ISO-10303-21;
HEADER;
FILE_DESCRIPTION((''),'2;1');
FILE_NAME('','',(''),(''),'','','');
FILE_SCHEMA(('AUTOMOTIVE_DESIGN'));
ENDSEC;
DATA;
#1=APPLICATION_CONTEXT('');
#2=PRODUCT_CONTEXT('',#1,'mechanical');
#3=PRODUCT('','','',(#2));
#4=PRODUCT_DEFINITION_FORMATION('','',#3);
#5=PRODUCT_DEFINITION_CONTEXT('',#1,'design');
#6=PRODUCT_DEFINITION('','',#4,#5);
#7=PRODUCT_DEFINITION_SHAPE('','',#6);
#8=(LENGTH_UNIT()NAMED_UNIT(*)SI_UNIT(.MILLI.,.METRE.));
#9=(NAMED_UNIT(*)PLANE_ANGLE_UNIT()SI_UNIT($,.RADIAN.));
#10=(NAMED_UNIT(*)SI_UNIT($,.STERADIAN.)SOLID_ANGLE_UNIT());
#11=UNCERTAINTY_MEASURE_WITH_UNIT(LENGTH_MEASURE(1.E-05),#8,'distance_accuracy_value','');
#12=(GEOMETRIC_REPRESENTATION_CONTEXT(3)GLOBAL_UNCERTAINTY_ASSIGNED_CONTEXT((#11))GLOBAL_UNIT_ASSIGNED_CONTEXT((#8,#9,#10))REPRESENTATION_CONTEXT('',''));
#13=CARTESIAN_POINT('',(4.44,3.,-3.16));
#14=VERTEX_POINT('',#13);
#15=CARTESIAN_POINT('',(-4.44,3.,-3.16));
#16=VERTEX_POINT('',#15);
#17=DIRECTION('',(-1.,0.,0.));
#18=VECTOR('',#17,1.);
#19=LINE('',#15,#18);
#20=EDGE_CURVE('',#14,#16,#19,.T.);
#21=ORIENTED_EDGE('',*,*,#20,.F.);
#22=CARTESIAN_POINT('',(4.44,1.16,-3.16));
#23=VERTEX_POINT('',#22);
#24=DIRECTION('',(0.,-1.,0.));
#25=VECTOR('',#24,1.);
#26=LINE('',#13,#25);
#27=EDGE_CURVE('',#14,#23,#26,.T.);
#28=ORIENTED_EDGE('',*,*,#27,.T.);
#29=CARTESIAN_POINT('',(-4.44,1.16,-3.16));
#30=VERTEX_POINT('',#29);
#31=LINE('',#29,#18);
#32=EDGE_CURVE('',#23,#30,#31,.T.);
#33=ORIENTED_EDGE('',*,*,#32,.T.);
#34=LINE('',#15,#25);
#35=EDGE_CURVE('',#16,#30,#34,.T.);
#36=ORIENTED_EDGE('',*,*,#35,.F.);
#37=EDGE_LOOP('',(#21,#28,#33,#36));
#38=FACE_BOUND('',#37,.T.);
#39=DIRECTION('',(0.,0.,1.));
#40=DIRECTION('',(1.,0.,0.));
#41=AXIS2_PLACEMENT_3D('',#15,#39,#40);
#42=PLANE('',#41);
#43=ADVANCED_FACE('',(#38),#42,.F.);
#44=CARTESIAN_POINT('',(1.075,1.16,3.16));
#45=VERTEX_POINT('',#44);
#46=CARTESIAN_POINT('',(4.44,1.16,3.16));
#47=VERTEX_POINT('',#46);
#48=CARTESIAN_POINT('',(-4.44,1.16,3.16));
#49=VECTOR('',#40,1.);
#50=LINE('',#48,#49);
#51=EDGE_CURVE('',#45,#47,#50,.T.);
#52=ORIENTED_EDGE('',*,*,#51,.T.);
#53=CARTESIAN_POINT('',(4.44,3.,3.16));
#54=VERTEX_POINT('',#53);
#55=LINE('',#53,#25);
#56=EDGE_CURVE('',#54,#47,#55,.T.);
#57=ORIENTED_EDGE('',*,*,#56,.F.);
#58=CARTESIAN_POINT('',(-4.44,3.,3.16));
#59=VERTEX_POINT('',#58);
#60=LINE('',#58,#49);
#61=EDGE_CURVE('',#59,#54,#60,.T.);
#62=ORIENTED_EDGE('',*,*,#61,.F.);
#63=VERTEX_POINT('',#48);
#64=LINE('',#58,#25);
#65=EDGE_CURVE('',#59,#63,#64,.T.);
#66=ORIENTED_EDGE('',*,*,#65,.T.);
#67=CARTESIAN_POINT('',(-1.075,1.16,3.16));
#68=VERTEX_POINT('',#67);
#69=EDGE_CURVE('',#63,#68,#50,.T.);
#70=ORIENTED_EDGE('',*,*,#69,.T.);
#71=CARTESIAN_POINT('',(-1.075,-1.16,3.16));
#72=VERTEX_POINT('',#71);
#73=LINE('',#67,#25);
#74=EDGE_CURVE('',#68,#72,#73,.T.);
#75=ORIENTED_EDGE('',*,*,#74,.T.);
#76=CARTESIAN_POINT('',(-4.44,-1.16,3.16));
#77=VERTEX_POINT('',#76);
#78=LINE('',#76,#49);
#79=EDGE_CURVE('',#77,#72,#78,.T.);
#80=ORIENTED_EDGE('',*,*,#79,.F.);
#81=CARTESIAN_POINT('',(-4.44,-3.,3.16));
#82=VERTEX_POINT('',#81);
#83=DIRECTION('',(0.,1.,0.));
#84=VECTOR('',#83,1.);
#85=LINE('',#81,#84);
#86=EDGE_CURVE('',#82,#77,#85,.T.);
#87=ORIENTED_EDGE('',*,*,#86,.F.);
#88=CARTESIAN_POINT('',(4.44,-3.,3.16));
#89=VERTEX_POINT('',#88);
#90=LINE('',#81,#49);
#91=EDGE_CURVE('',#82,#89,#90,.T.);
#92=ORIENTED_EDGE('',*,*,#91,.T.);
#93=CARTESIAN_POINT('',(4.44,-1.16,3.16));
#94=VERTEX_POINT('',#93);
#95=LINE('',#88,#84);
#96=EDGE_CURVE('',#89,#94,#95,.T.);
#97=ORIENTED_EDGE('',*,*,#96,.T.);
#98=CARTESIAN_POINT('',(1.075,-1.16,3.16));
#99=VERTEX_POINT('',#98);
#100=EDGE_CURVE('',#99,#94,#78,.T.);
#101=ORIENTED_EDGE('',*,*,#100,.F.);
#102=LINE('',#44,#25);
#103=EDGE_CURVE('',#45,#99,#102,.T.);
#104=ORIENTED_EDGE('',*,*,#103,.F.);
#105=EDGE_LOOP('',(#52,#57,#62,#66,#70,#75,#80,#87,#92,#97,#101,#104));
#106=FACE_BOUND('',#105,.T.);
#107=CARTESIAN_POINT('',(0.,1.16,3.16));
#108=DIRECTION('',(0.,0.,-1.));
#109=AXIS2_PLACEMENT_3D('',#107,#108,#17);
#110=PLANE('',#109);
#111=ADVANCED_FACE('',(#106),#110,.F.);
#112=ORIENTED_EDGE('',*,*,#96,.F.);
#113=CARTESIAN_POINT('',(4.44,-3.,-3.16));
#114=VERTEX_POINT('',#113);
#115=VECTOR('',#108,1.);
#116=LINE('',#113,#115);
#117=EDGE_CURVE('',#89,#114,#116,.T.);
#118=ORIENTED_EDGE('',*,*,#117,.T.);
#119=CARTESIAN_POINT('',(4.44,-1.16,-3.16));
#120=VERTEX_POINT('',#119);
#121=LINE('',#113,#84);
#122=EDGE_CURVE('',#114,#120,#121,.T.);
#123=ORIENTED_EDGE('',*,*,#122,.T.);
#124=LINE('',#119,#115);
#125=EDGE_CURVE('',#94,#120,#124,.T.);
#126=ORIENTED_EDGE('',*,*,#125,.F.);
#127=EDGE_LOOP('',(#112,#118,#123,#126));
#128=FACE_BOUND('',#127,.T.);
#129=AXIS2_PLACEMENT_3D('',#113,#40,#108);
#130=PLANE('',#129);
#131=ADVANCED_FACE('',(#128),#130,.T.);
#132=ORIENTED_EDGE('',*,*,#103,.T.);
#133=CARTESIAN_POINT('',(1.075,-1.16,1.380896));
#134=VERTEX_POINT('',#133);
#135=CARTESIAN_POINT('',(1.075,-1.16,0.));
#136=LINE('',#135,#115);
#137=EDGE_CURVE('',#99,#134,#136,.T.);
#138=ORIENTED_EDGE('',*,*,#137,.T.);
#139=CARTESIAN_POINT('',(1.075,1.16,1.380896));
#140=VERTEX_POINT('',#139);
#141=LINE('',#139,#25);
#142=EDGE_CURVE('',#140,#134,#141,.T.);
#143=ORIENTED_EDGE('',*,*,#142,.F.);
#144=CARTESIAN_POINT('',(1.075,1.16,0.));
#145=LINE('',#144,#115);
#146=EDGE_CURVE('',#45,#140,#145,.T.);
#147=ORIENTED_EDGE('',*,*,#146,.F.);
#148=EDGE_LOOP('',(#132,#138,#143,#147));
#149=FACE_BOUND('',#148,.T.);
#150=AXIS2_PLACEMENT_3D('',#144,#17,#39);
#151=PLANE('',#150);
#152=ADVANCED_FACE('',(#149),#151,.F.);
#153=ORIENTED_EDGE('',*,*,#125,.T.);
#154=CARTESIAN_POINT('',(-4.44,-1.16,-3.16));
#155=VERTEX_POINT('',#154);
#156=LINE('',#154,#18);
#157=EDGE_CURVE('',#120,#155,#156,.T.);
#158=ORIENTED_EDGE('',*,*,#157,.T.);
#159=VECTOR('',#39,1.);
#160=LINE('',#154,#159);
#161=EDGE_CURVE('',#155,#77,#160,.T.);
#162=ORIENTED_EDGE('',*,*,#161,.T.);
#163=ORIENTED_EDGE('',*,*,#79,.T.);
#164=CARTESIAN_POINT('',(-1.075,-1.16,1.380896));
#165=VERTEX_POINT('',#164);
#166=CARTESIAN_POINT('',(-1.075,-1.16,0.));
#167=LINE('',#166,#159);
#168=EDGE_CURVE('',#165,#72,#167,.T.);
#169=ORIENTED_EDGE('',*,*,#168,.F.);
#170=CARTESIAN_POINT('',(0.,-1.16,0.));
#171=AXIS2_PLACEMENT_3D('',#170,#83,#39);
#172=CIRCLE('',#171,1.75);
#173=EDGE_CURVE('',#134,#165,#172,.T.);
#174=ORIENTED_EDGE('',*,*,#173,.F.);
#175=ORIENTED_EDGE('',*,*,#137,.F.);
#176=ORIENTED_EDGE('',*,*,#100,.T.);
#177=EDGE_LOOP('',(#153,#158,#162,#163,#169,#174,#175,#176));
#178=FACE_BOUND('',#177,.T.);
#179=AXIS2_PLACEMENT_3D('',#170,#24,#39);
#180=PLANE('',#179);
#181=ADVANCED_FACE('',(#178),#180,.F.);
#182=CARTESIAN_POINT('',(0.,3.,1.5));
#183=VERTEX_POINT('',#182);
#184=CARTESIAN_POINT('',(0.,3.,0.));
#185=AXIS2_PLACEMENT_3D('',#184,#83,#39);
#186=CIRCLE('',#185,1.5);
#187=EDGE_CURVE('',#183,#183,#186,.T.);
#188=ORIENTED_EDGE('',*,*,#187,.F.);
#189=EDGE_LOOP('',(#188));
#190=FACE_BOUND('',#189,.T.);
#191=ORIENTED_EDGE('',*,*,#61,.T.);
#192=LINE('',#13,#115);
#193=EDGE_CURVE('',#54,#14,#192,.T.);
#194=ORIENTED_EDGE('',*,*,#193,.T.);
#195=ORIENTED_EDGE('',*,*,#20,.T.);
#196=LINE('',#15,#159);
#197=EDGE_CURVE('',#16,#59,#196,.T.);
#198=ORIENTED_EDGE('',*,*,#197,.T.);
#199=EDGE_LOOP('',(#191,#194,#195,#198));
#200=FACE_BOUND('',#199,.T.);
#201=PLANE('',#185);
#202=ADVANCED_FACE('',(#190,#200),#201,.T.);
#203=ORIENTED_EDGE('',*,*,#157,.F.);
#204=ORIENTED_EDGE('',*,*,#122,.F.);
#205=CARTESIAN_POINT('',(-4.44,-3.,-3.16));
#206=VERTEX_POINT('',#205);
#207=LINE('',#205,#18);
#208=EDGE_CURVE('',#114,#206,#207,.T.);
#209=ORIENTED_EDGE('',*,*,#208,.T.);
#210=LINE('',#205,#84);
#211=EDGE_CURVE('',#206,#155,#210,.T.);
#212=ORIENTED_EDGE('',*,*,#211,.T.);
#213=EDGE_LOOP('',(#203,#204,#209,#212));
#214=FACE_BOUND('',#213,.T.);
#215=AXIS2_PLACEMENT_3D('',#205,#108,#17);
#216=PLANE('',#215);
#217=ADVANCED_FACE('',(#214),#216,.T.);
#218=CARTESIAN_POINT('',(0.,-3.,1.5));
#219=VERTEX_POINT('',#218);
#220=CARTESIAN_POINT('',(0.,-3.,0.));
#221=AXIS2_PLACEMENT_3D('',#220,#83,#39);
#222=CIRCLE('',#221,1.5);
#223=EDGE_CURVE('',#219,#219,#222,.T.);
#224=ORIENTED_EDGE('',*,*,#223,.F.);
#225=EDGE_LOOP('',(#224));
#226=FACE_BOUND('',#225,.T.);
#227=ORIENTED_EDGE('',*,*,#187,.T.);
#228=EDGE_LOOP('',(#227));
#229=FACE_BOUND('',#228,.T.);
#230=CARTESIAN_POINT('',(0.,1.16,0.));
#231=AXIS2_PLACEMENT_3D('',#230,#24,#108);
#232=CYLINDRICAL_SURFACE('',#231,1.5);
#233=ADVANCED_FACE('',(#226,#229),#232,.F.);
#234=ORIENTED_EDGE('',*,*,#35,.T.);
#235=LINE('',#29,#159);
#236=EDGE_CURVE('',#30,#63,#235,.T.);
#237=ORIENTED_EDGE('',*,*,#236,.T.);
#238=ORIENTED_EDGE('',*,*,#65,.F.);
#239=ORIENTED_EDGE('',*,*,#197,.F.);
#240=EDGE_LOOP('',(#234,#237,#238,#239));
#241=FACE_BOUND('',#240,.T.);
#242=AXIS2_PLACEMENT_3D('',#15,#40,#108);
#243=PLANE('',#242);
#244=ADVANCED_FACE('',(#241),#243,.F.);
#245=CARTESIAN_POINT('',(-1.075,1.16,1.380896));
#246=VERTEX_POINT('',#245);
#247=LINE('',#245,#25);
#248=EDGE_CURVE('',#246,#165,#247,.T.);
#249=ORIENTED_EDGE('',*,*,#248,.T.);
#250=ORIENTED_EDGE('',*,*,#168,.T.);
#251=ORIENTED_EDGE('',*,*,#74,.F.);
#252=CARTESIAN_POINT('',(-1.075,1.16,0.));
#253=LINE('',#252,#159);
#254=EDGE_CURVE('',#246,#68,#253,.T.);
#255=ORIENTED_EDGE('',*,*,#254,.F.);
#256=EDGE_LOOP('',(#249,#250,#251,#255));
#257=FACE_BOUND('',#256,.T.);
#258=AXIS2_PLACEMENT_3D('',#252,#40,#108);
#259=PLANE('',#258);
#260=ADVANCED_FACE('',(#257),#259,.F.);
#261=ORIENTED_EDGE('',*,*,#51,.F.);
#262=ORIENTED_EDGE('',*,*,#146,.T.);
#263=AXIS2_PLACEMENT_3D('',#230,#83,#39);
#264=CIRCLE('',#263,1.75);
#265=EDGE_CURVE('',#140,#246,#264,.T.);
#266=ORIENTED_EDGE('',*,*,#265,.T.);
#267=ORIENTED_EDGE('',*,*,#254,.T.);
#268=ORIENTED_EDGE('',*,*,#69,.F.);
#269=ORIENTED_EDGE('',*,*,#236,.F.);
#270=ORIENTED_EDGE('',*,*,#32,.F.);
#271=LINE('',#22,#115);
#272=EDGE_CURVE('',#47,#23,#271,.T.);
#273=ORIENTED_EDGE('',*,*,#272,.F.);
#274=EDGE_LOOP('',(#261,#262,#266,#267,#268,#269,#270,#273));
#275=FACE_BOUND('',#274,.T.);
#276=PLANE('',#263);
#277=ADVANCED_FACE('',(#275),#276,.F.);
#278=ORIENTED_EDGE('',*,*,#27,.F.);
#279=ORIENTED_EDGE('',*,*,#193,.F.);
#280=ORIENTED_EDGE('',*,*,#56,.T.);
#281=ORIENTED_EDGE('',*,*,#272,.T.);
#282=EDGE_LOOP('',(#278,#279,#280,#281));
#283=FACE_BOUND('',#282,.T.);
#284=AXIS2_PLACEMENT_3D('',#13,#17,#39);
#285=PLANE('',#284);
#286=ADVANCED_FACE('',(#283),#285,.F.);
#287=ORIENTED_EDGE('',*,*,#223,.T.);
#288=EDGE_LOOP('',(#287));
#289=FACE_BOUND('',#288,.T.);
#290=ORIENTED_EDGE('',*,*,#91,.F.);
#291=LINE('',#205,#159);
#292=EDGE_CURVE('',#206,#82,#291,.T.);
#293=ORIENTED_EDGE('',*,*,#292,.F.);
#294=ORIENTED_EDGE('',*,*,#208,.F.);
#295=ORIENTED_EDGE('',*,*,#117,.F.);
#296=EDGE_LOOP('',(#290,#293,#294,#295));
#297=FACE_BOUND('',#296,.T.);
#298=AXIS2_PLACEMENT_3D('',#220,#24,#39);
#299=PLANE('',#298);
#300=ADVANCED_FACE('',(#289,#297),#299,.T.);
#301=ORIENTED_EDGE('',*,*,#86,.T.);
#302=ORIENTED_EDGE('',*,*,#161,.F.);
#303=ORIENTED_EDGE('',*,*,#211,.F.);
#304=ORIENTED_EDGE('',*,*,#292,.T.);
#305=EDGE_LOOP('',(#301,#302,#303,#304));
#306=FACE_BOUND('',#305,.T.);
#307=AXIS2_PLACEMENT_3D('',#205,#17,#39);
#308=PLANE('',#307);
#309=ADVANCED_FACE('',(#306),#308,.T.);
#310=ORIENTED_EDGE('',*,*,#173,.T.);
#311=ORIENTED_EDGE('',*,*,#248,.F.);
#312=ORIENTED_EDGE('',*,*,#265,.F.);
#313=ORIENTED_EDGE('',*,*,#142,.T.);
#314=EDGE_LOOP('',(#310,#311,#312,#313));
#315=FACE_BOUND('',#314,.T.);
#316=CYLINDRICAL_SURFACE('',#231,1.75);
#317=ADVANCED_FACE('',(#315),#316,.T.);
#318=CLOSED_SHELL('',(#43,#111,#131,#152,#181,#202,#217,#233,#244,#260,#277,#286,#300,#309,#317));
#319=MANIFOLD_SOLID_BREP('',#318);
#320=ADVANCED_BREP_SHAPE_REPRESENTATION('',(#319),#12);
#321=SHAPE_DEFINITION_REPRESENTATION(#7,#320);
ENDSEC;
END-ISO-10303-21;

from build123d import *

# Parameters (mm, degrees)
BOSS_EXTRUDE1_DEPTH = 1.16
SKETCH2_W           = 8.88
SKETCH2_H           = 6.32
SKETCH2_R           = 1.5
BOSS_EXTRUDE2_DEPTH = 1.84


with BuildPart() as part:
    # Sketch1 → Boss-Extrude1 (new body)
    with BuildSketch(Plane(origin=(0, 0, 0), x_dir=(1, 0, 0), z_dir=(0, 1, 0))):
        with BuildLine():
            ThreePointArc((0, -1.75), (-0.568301, -1.655154), (-1.075, -1.380896))
            Line((-1.075, -1.380896), (-1.075, -3.16))
            Line((-1.075, -3.16), (0, -3.16))
            Line((0, -3.16), (0, -1.75))
        make_face()
        with BuildLine():
            ThreePointArc((1.075, -1.380896), (0.568301, -1.655154), (0, -1.75))
            Line((0, -1.75), (0, -3.16))
            Line((0, -3.16), (1.075, -3.16))
            Line((1.075, -3.16), (1.075, -1.380896))
        make_face()
        with BuildLine():
            ThreePointArc((0, 1.75), (-1.655154, 0.568301), (-1.075, -1.380896))
            ThreePointArc((-1.075, -1.380896), (-0.568301, -1.655154), (0, -1.75))
            Line((0, -1.75), (0, -1.5))
            ThreePointArc((0, -1.5), (-1.5, 0), (0, 1.5))
            Line((0, 1.5), (0, 1.75))
        make_face()
        with BuildLine():
            ThreePointArc((1.75, 0), (1.237437, 1.237437), (0, 1.75))
            Line((0, 1.75), (0, 1.5))
            ThreePointArc((0, 1.5), (1.06066, 1.06066), (1.5, 0))
            ThreePointArc((1.5, 0), (1.06066, -1.06066), (0, -1.5))
            Line((0, -1.5), (0, -1.75))
            ThreePointArc((0, -1.75), (0.568301, -1.655154), (1.075, -1.380896))
            ThreePointArc((1.075, -1.380896), (1.57222, -0.768521), (1.75, 0))
        make_face()
    boss_extrude1 = extrude(amount=BOSS_EXTRUDE1_DEPTH)

    # Sketch2 → Boss-Extrude2 (add)
    with BuildSketch(Plane(origin=(0, 1.16, 0), x_dir=(1, 0, 0), z_dir=(0, 1, 0))):
        Rectangle(SKETCH2_W, SKETCH2_H)
        with Locations(Location((0, 0, 0), (0, 0, 270))):
            Circle(SKETCH2_R, mode=Mode.SUBTRACT)
    boss_extrude2 = extrude(amount=BOSS_EXTRUDE2_DEPTH)

    # Mirror1: Boss-Extrude1, Boss-Extrude2 across plane
    add(boss_extrude1.mirror(Plane.ZX))
    add(boss_extrude2.mirror(Plane.ZX))


solid = part.part
